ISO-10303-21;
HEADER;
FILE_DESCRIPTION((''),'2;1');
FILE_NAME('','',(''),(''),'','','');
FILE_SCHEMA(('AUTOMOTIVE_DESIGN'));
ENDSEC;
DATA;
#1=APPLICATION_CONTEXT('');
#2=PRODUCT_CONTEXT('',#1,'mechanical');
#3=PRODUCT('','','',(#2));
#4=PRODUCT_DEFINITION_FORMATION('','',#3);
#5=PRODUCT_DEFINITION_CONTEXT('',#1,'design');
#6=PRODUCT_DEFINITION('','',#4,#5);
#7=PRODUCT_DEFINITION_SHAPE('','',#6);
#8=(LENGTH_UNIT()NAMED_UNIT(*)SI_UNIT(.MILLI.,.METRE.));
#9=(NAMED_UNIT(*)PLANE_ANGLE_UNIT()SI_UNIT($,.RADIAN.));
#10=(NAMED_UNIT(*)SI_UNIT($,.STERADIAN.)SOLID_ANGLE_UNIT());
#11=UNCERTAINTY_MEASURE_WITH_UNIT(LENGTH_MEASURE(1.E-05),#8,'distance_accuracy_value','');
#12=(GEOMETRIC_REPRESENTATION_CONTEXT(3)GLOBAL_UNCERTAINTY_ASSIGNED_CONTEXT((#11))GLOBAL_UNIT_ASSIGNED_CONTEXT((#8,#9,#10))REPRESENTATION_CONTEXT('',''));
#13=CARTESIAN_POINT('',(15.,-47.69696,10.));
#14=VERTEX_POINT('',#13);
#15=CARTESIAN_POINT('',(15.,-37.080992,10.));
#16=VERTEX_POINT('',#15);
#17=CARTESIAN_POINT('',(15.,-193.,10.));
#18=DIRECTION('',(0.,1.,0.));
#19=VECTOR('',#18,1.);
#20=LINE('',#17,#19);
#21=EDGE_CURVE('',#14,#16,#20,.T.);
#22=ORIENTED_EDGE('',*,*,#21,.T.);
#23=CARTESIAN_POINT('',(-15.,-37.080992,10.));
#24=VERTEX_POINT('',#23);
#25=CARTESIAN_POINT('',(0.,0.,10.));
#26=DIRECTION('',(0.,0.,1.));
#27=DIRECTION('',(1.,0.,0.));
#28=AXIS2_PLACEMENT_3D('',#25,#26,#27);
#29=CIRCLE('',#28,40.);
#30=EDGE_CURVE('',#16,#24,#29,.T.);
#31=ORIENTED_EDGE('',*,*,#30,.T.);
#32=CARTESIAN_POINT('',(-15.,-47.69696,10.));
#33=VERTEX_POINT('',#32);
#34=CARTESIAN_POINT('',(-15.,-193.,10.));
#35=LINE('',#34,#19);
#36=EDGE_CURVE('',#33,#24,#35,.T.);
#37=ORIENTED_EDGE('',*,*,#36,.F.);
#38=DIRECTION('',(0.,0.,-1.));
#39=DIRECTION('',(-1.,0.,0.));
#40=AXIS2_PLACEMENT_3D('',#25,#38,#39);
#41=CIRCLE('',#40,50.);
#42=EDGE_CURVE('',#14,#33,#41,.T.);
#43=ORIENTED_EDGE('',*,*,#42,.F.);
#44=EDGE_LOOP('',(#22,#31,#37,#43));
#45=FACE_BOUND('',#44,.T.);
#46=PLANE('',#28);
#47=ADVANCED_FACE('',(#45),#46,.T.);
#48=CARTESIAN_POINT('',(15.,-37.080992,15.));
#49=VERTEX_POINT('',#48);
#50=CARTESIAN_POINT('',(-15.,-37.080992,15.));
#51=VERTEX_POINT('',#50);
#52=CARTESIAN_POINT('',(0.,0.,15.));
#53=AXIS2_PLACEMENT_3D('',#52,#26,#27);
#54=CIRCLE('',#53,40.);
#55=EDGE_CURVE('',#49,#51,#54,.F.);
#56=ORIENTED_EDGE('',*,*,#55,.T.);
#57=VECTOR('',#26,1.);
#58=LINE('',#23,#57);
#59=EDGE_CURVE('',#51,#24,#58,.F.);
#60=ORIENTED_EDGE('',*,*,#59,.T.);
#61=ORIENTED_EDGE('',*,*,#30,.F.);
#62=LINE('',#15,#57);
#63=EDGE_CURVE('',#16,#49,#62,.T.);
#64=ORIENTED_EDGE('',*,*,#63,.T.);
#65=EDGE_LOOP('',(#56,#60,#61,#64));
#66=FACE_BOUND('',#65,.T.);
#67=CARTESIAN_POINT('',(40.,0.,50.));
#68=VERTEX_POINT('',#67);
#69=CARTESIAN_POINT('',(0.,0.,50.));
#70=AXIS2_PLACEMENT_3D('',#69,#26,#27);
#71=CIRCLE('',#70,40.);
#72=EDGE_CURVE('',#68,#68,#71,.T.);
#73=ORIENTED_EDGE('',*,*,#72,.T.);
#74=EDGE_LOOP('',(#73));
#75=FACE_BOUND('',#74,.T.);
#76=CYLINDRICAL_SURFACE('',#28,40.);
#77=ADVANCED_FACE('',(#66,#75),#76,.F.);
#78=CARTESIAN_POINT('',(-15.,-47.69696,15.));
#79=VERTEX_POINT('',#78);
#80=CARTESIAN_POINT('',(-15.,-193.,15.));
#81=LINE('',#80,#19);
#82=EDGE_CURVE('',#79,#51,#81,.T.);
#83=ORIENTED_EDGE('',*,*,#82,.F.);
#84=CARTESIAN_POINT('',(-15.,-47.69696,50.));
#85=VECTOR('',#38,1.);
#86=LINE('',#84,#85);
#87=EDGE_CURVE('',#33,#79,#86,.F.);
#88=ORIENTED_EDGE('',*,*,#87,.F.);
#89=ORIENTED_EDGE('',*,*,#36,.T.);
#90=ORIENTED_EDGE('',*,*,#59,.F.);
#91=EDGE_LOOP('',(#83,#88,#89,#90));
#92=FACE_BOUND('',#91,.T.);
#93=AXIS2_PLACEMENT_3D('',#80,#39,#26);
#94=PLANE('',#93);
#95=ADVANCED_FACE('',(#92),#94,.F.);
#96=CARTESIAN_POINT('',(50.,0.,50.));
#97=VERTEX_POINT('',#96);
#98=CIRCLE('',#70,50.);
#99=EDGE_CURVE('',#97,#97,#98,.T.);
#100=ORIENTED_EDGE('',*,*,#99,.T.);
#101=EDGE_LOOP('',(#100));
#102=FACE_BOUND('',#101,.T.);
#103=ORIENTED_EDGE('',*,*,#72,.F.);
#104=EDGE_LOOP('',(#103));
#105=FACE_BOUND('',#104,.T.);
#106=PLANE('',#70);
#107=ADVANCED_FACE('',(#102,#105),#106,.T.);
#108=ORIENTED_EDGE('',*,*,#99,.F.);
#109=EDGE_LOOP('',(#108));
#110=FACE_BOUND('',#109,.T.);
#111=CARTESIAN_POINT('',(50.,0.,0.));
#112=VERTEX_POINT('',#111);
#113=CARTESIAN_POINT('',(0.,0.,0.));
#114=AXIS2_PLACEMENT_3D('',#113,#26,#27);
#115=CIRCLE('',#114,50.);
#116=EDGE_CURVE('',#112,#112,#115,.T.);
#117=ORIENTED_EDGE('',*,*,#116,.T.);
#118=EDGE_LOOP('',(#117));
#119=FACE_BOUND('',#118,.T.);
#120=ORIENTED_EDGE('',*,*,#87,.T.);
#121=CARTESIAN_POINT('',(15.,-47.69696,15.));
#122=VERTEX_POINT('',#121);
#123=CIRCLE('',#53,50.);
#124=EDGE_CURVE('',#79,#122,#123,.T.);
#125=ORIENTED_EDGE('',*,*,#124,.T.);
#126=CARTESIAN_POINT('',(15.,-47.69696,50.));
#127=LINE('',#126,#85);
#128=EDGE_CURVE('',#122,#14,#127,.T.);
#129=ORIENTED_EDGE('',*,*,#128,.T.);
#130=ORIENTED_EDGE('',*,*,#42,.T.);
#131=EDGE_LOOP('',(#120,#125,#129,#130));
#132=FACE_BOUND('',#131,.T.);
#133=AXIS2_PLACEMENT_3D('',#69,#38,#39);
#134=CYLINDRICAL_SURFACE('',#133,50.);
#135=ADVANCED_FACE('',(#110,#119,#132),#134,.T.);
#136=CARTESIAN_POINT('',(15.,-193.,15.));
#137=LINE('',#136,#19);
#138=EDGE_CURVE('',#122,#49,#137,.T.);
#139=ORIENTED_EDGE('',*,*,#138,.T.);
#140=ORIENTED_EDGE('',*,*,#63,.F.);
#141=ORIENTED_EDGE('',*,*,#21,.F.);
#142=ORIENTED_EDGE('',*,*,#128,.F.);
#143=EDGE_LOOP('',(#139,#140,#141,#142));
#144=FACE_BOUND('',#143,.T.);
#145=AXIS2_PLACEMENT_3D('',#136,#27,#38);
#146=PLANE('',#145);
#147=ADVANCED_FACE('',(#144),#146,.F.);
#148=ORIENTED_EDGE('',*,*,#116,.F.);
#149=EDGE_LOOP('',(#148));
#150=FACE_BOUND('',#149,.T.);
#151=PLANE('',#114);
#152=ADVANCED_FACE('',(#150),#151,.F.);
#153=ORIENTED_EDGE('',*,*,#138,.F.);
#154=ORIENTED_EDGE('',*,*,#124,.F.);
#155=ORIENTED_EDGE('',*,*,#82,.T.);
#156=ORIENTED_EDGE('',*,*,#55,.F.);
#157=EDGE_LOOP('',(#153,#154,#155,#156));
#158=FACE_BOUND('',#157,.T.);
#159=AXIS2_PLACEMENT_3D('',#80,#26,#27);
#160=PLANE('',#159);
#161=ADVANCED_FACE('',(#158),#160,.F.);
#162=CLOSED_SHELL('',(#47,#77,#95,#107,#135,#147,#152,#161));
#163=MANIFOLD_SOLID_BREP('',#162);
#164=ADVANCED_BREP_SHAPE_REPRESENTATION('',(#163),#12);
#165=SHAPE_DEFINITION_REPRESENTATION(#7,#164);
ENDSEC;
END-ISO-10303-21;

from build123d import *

# Parameters (mm, degrees)
SKETCH1_R           = 50
BOSS_EXTRUDE1_DEPTH = 50
SKETCH2_R           = 40
CUT_EXTRUDE1_DEPTH  = 40
SKETCH3_W           = 30
SKETCH3_H           = 5
CUT_EXTRUDE2_DEPTH  = 193


with BuildPart() as part:
    # Sketch1 → Boss-Extrude1 (new body)
    with BuildSketch(Plane.XY):
        Circle(SKETCH1_R)
    extrude(amount=BOSS_EXTRUDE1_DEPTH)

    # Sketch2 → Cut-Extrude1 (cut)
    with BuildSketch(Plane.XY.offset(50)):
        Circle(SKETCH2_R)
    extrude(amount=-CUT_EXTRUDE1_DEPTH, mode=Mode.SUBTRACT)

    # Sketch3 → Cut-Extrude2 (cut)
    with BuildSketch(Plane(origin=(0, 0, 0), x_dir=(1, 0, 0), z_dir=(0, 1, 0))):
        with Locations((0, -12.5)):
            Rectangle(SKETCH3_W, SKETCH3_H)
    extrude(amount=-CUT_EXTRUDE2_DEPTH, mode=Mode.SUBTRACT)


solid = part.part
